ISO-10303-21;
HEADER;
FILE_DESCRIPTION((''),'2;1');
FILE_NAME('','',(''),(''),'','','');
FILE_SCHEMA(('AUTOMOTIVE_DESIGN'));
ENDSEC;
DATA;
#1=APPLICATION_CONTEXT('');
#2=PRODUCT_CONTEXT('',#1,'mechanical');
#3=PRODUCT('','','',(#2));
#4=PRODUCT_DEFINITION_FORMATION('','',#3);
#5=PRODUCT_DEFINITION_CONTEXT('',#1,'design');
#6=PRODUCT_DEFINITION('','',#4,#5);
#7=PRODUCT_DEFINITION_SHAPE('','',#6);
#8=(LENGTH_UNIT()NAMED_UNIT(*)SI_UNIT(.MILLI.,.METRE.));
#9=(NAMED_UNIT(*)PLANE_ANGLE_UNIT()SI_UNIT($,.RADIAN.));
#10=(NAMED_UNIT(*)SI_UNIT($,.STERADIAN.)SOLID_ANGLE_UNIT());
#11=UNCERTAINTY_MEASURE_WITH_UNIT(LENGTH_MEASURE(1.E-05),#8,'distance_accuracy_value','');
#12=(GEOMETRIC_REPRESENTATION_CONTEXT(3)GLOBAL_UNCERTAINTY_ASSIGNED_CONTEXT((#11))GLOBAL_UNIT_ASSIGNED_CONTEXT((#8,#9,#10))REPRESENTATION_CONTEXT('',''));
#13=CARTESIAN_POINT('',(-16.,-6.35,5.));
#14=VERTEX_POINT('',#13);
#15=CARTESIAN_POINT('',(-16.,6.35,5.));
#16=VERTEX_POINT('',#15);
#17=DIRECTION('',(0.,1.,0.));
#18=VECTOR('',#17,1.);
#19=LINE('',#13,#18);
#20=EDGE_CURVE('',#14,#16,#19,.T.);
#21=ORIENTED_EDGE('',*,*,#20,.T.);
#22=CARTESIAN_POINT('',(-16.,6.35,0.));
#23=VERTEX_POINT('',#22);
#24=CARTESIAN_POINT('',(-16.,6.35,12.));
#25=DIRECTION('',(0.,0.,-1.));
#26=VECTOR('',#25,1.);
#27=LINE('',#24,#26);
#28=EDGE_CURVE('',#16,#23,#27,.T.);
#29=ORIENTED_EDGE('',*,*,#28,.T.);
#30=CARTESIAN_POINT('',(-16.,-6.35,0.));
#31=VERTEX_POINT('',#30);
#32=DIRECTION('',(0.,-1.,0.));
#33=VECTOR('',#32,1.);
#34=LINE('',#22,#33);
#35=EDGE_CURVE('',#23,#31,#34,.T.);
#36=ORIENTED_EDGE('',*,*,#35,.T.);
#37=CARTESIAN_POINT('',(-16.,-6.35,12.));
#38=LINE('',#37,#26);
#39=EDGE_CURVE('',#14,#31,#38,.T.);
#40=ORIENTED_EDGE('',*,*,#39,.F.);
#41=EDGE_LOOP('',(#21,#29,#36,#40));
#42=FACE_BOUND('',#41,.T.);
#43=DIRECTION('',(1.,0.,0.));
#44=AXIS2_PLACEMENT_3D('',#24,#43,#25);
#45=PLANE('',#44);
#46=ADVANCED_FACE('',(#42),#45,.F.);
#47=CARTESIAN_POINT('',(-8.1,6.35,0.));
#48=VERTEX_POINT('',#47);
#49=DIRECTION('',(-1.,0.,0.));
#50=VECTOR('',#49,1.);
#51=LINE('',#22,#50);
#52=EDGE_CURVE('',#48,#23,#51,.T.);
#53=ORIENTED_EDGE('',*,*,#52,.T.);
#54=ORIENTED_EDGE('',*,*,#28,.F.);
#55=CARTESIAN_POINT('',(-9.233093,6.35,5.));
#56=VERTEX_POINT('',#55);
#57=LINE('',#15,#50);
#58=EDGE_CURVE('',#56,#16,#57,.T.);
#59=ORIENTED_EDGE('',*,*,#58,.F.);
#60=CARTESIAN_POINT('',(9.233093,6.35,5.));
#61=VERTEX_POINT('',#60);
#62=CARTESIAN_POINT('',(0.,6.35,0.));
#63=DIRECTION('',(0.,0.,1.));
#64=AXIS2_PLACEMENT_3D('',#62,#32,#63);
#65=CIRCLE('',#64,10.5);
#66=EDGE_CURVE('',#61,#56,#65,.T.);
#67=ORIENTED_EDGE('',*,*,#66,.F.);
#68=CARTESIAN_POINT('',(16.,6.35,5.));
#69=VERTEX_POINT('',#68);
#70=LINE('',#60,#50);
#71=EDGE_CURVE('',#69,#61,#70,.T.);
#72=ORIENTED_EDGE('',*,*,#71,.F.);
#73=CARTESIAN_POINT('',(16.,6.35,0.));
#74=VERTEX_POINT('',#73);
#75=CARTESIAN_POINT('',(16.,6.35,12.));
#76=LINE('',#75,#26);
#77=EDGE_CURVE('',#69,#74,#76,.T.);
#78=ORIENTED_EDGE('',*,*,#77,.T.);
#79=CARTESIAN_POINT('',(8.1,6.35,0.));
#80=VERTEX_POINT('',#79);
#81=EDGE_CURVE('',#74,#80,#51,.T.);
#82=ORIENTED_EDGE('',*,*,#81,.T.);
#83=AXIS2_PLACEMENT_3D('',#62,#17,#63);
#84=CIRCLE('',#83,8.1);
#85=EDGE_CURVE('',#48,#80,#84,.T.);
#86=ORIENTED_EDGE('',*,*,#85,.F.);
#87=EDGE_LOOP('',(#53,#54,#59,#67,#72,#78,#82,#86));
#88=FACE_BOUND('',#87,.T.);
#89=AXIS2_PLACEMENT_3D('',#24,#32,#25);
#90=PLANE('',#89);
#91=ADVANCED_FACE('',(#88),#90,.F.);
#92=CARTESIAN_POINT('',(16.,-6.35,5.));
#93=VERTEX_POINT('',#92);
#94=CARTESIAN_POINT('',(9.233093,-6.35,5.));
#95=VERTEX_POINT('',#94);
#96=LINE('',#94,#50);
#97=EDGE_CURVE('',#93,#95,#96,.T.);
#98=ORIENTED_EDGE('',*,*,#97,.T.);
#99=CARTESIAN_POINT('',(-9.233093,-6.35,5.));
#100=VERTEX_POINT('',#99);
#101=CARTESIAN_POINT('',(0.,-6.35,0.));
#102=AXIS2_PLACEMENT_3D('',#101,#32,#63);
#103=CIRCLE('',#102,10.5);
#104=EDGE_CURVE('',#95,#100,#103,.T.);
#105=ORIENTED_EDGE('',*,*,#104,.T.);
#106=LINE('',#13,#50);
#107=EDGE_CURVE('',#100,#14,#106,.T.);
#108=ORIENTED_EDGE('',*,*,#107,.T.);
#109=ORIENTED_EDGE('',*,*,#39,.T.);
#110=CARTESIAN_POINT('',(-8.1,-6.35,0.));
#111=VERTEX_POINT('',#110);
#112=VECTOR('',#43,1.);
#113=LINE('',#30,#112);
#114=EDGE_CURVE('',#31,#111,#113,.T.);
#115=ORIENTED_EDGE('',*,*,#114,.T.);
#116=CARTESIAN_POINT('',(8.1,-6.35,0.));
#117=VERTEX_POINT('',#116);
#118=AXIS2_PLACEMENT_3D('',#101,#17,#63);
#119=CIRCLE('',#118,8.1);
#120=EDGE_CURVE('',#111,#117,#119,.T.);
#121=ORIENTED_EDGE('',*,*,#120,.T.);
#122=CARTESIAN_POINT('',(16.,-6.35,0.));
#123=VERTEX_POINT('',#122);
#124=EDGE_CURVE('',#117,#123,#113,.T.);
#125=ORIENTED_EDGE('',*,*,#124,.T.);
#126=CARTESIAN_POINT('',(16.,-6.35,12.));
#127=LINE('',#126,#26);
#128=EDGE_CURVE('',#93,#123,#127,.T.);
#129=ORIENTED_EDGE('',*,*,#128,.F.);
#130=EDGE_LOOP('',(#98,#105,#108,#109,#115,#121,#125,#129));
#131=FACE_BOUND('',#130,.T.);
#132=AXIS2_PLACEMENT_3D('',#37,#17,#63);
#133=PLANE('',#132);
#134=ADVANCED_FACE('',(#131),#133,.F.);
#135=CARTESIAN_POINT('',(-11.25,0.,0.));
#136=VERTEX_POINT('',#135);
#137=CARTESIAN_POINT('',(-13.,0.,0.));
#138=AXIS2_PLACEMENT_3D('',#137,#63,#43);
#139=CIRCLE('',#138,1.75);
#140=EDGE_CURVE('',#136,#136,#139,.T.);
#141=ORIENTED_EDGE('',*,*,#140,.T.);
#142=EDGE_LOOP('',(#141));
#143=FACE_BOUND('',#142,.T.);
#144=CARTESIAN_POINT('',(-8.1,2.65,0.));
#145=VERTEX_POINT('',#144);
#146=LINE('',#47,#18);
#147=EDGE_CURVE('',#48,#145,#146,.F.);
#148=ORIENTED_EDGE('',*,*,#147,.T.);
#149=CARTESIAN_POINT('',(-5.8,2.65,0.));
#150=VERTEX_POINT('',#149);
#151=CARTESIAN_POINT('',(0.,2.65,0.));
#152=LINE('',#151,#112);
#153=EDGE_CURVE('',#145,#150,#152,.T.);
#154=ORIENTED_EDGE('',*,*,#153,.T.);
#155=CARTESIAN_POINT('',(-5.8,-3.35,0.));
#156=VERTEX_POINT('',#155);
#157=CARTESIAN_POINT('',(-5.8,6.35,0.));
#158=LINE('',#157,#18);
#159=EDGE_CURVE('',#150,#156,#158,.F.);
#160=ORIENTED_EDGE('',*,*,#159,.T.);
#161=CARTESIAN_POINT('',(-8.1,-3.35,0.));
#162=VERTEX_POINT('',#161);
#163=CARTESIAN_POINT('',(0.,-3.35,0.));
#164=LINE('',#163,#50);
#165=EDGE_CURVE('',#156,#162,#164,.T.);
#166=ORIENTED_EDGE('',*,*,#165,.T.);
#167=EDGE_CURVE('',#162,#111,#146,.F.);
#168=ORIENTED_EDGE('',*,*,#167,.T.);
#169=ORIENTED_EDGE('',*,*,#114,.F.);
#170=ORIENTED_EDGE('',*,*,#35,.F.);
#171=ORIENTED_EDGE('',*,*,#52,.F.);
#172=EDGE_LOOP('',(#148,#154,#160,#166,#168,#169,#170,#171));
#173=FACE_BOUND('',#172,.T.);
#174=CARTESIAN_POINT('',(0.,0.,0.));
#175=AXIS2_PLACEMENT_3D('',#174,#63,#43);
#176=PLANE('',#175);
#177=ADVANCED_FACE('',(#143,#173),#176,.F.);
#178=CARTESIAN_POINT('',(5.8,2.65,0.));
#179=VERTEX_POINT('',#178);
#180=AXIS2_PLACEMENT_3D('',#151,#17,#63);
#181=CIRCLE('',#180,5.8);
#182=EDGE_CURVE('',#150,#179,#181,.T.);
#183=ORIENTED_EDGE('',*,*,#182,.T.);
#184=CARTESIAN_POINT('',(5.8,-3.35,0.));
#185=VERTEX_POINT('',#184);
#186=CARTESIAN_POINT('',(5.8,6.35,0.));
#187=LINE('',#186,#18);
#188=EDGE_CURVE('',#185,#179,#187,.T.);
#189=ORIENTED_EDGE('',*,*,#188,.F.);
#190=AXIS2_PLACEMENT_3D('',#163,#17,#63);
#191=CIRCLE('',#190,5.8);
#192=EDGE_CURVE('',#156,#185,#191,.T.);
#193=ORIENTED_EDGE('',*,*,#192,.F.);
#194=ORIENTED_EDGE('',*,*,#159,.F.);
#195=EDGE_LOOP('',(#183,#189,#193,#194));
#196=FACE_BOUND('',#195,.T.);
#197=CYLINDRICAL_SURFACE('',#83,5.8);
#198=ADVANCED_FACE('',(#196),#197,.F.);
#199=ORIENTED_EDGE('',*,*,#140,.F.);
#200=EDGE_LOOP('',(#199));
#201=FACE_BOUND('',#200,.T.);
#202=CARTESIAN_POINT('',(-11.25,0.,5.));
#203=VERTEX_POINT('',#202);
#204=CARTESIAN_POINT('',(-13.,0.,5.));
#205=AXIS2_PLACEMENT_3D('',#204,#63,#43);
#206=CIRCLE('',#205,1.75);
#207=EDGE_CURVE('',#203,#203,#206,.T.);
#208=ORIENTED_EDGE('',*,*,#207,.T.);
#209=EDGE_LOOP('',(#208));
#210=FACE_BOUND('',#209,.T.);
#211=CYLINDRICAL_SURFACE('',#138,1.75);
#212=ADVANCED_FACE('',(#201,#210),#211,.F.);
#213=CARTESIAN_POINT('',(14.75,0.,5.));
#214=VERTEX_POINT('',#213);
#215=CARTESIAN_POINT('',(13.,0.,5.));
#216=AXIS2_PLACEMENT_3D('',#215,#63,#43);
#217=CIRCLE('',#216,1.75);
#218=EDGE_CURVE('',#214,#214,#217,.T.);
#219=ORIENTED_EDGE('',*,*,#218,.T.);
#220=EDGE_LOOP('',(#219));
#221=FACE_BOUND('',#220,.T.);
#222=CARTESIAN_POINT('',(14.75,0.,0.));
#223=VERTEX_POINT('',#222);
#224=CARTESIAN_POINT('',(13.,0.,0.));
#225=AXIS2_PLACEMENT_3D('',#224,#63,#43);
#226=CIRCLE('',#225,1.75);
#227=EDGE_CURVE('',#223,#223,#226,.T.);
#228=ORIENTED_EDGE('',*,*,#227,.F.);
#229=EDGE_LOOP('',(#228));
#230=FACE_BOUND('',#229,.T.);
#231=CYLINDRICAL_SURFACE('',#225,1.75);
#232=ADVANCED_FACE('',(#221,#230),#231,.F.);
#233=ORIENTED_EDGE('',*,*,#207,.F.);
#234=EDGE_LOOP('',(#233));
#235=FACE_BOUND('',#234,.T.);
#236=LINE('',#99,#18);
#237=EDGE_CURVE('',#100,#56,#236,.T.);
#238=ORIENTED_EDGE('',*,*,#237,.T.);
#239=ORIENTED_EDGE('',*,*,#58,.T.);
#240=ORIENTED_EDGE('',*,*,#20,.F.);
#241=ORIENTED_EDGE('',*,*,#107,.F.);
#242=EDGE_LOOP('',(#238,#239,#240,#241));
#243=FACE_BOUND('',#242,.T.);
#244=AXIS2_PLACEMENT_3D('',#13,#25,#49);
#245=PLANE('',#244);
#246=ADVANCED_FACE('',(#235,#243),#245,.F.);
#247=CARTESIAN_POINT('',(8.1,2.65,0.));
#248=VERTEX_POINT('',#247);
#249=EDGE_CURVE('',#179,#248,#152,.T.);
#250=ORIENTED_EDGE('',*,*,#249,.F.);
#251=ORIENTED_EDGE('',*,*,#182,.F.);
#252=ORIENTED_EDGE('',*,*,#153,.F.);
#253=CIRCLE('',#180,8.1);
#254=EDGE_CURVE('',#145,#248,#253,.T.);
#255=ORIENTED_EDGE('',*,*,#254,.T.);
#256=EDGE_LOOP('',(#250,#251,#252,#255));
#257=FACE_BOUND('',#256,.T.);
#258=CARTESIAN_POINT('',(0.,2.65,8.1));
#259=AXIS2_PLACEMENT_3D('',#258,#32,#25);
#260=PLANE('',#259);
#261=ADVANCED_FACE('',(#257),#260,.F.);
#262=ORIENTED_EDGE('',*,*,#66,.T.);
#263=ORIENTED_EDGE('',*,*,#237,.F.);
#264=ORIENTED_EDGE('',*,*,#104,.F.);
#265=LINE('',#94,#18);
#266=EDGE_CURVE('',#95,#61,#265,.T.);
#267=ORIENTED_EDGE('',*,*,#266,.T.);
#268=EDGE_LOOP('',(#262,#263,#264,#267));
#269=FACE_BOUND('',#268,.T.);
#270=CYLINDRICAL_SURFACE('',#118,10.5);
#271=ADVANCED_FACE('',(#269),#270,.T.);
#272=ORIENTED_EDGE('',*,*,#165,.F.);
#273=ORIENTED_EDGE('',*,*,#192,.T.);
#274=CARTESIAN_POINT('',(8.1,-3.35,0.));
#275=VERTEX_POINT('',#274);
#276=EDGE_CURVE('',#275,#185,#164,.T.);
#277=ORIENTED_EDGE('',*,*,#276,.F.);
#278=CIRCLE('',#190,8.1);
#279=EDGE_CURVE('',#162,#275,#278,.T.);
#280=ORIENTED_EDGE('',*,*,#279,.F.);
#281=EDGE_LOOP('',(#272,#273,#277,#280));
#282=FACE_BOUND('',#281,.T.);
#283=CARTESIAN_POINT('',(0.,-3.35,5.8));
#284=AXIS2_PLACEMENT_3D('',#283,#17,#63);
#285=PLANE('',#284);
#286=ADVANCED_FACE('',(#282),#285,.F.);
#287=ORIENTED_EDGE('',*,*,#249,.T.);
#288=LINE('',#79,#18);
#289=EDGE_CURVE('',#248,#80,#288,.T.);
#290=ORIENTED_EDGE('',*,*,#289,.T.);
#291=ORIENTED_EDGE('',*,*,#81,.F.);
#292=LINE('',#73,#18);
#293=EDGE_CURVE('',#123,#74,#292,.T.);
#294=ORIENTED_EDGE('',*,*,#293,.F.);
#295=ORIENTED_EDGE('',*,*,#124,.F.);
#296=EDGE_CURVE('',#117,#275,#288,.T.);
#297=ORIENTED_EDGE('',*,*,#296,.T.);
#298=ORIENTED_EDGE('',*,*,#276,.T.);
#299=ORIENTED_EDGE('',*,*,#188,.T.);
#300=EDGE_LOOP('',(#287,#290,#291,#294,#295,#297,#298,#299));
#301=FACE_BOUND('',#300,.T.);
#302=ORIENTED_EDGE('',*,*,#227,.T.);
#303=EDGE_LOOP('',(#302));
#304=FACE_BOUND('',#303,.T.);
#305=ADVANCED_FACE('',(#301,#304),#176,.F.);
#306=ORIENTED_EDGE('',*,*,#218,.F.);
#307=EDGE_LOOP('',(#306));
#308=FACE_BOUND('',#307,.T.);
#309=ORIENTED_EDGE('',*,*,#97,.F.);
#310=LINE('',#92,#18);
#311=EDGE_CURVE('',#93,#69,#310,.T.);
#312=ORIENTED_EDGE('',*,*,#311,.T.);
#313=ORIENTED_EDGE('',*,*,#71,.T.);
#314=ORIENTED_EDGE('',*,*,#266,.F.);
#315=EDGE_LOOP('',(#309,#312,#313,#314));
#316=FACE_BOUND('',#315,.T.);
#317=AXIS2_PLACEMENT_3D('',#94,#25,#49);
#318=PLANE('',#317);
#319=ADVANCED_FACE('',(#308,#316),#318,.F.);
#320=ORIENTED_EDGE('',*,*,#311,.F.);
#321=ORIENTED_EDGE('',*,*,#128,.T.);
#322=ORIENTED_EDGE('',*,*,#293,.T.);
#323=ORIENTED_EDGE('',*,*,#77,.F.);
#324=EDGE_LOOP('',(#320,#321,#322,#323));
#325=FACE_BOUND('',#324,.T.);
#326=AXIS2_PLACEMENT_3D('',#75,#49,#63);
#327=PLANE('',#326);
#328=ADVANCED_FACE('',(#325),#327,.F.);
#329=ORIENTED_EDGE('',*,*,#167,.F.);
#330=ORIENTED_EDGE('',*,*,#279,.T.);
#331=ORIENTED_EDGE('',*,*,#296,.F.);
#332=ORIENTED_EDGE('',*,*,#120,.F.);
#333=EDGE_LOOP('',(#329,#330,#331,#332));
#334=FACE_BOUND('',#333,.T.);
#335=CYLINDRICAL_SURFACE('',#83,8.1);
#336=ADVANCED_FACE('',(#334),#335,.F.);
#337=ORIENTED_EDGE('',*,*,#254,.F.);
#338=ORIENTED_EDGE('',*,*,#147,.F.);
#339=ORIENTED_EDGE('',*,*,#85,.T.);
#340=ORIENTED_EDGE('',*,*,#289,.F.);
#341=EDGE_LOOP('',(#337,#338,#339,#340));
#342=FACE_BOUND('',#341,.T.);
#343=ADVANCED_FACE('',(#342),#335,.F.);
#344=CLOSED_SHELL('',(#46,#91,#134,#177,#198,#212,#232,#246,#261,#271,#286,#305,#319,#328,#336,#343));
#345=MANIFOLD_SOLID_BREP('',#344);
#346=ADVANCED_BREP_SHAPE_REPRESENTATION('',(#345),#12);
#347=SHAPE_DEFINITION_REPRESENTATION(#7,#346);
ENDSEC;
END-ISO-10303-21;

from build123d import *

# Parameters (mm, degrees)
SKETCH1_W           = 32
SKETCH1_H           = 12.7
BOSS_EXTRUDE1_DEPTH = 12
CUT_EXTRUDE1_DEPTH  = 13.7
SKETCH5_R           = 1.75
CUT_EXTRUDE2_DEPTH  = 6


with BuildPart() as part:
    # Sketch1 → Boss-Extrude1 (new body)
    with BuildSketch(Plane.XY):
        Rectangle(SKETCH1_W, SKETCH1_H)
    extrude(amount=BOSS_EXTRUDE1_DEPTH)

    # Sketch3 → Cut-Revolve1 (revolve, cut)
    with BuildSketch(Plane(origin=(0, 0, 0), x_dir=(0, 0, -1), z_dir=(1, 0, 0))):
        Polygon((0, 6.35), (-8.1, 6.35), (-8.1, 2.65), (-5.8, 2.65), (-5.8, -3.35), (-8.1, -3.35), (-8.1, -6.35), (0, -6.35), align=None)
    revolve(axis=Axis((0, 6.35, 0), (0, -1, 0)), mode=Mode.SUBTRACT)

    # Sketch4 → Cut-Extrude1 (cut, through all)
    with BuildSketch(Plane(origin=(0, 6.35, 0), x_dir=(1, 0, 0), z_dir=(0, 1, 0))):
        with BuildLine():
            Line((-16, -5), (-9.233092656, -5))
            ThreePointArc((-9.233092656, -5), (0, -10.5), (9.233092656, -5))
            Line((9.233092656, -5), (16, -5))
            Line((16, -5), (16, -15))
            Line((16, -15), (-16, -15))
            Line((-16, -15), (-16, -5))
        make_face()
    extrude(amount=-CUT_EXTRUDE1_DEPTH, mode=Mode.SUBTRACT)

    # Sketch5 → Cut-Extrude2 (cut, through all)
    with BuildSketch(Plane.XY.offset(5)):
        with Locations((-13, 0)):
            Circle(SKETCH5_R)
        with Locations((13, 0)):
            Circle(SKETCH5_R)
    extrude(amount=-CUT_EXTRUDE2_DEPTH, mode=Mode.SUBTRACT)


solid = part.part
